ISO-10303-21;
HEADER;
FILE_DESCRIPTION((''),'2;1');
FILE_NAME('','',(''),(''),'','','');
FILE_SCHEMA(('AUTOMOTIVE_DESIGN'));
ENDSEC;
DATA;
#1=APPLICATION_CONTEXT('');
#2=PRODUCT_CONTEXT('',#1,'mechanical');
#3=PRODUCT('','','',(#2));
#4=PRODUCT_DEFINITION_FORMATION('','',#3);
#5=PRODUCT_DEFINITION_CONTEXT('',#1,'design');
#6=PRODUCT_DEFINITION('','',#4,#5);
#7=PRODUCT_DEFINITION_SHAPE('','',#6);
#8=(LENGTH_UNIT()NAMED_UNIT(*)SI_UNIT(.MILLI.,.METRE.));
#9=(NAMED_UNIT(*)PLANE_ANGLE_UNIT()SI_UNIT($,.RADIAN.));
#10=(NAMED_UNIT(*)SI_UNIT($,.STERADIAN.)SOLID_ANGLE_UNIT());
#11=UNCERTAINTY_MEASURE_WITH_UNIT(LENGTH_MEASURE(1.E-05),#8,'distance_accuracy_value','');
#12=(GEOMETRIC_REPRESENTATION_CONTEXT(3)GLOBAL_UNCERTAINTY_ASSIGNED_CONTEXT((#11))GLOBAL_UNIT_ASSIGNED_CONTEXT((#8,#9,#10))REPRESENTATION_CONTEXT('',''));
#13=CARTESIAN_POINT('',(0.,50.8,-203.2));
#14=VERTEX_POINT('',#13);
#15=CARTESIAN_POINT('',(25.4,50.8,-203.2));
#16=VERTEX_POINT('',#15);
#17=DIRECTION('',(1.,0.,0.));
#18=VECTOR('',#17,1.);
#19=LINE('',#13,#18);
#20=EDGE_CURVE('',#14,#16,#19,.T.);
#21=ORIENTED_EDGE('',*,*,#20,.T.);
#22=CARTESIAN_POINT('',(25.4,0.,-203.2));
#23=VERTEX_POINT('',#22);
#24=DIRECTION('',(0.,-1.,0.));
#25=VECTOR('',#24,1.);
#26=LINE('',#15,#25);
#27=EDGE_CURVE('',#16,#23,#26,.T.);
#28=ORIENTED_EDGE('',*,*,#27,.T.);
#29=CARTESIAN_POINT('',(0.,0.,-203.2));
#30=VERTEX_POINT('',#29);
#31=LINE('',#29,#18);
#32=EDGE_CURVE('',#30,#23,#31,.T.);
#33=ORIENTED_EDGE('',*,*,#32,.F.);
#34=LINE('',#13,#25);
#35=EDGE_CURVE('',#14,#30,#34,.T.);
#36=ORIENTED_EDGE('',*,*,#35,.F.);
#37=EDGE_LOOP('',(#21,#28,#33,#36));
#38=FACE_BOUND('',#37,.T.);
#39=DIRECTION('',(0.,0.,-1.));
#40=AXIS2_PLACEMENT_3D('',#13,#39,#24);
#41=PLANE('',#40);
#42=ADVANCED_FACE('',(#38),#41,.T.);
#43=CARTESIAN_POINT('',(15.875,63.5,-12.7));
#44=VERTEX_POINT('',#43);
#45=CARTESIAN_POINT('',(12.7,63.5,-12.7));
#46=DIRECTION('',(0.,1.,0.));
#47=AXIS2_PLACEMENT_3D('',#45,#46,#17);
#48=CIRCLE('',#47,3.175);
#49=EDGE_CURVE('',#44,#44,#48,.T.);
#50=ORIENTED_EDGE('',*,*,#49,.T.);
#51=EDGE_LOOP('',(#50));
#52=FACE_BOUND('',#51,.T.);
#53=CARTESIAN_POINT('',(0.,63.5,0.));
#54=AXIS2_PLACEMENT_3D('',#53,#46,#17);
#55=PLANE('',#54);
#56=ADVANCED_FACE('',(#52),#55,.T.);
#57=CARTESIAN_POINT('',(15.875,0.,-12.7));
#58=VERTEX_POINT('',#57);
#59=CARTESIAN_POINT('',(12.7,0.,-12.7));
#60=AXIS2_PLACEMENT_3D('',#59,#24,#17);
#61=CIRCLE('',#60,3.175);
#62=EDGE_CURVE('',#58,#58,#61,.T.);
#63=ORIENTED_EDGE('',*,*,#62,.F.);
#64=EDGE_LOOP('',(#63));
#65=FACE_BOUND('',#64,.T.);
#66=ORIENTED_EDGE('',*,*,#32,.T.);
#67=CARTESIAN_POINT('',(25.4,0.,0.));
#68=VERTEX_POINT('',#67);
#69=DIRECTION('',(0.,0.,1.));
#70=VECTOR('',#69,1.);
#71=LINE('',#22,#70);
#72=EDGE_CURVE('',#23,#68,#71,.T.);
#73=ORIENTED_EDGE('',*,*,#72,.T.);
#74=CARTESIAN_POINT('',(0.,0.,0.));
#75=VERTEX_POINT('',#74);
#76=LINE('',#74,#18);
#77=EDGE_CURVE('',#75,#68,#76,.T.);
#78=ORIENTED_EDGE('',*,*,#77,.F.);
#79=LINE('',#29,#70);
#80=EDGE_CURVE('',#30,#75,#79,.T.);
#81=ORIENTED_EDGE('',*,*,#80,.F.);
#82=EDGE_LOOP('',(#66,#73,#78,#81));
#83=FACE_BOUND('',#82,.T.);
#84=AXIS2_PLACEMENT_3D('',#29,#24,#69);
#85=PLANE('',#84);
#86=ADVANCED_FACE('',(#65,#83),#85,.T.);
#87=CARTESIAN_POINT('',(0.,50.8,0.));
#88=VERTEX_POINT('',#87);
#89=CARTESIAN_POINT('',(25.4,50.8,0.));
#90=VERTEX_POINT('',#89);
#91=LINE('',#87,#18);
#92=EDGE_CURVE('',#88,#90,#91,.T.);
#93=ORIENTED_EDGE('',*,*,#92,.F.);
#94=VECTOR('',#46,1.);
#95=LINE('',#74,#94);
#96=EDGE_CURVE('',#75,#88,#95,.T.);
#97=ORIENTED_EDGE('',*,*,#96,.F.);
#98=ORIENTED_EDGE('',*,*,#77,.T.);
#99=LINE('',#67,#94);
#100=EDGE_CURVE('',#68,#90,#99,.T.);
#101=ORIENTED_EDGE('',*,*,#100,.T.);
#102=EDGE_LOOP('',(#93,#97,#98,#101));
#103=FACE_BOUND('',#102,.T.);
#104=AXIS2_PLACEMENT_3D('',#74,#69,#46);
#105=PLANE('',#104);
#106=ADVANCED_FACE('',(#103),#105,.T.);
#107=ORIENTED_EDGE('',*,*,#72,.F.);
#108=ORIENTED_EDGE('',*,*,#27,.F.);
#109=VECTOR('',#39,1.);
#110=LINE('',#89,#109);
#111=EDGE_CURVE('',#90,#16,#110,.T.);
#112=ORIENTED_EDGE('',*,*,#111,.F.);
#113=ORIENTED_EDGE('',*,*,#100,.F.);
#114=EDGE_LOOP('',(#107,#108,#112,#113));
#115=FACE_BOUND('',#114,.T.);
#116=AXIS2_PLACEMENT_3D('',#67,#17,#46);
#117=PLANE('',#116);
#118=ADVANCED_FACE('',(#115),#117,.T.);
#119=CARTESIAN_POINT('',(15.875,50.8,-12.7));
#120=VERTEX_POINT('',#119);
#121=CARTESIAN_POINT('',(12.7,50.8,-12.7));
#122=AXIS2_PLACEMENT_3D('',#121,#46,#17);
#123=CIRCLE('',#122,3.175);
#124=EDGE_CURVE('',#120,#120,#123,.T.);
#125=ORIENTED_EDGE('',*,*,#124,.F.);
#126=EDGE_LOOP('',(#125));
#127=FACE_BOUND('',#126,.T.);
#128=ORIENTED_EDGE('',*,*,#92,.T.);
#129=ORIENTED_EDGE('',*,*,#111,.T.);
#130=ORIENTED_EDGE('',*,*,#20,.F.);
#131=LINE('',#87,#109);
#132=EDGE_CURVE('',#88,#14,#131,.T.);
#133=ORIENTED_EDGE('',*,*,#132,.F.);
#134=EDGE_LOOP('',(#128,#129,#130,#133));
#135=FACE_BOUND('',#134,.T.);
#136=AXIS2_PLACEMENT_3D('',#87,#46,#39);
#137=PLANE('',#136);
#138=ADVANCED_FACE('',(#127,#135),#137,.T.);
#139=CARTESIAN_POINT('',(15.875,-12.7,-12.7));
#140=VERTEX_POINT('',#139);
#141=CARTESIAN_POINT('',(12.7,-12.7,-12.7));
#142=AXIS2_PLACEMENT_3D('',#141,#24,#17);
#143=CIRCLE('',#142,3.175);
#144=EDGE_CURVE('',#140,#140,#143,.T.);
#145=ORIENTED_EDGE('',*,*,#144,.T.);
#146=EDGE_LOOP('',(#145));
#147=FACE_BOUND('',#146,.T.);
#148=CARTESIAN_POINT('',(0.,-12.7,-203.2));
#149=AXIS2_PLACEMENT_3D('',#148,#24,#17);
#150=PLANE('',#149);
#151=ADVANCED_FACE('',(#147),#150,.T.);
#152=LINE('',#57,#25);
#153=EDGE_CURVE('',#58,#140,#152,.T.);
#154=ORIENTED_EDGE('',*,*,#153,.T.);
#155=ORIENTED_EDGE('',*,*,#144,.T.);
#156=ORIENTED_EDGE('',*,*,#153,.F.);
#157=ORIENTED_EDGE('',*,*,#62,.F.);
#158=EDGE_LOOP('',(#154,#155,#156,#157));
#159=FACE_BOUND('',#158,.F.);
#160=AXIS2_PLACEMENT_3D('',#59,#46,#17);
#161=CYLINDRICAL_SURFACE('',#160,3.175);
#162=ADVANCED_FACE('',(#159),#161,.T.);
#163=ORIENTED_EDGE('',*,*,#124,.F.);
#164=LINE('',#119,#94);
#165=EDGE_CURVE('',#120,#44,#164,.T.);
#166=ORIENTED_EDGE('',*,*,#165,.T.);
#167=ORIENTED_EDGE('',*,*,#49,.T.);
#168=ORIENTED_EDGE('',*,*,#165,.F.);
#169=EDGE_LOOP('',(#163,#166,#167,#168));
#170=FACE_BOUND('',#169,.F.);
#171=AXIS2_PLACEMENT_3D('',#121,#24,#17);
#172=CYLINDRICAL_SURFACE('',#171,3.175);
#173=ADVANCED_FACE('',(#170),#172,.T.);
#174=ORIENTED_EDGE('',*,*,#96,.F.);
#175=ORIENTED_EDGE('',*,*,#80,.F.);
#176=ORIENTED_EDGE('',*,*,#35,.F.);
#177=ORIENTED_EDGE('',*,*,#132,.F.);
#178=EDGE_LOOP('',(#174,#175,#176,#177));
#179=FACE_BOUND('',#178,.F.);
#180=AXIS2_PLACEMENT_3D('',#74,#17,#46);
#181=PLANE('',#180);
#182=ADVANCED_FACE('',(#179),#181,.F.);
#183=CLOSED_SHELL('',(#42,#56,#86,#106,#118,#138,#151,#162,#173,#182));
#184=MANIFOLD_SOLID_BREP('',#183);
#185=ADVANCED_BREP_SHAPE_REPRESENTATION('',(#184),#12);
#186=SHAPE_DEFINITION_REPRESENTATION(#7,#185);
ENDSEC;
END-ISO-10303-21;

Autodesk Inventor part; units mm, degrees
ref_plane "YZ Plane" through (0, 0, 0) normal (1, 0, 0) x (0, 1, 0)
ref_plane "XZ Plane" through (0, 0, 0) normal (0, 1, 0) x (-1, 0, 0)
ref_plane "XY Plane" through (0, 0, 0) normal (0, 0, 1) x (1, 0, 0)
sketch "Sketch1" plane through (0, 0, 0) normal (1, 0, 0) x (0, 1, 0)
  line L0 (0, 0) -> (50.8, 0)
  line L1 (50.8, 0) -> (50.8, -203.2)
  line L2 (50.8, -203.2) -> (0, -203.2)
  line L3 (0, -203.2) -> (0, 0)
  dimension "d0" = 50.8
  dimension "d1" = 203.2
extrude "Extrusion1" add sketch "Sketch1" along normal blind 25.4
sketch "Sketch2" plane through (0, 50.8, 0) normal (0, 1, 0) x (1, 0, 0)
  circle A0 centre (12.7, 12.7) radius 3.175
  line L0 (0, 0) -> (0, 203.2) projected
  line L1 (0, 0) -> (25.4, 0) projected
  line L2 (25.4, 203.2) -> (25.4, 0) projected
  line L3 (0, 203.2) -> (25.4, 203.2) projected
  point P0 (0, 0)
  dimension "d4" = 6.35
  dimension "d5" = 12.7
  dimension "d6" = 12.7
extrude "Extrusion2" add sketch "Sketch2" along normal blind 12.7 contours A0
sketch "Sketch3" plane through (0, 0, -203.2) normal (0, -1, 0) x (1, 0, 0)
  line L0 (0, 0) -> (0, 203.2) projected
  line L1 (0, 0) -> (25.4, 0) projected
  line L2 (25.4, 203.2) -> (25.4, 0) projected
  line L3 (0, 203.2) -> (25.4, 203.2) projected
  circle A0 centre (12.7, 190.5) radius 3.175
  dimension "d9" = 6.35
  dimension "d10" = 12.7
  dimension "d11" = 12.7
extrude "Extrusion3" add sketch "Sketch3" along normal blind 12.7 contours A0
properties part number "StressArm"
